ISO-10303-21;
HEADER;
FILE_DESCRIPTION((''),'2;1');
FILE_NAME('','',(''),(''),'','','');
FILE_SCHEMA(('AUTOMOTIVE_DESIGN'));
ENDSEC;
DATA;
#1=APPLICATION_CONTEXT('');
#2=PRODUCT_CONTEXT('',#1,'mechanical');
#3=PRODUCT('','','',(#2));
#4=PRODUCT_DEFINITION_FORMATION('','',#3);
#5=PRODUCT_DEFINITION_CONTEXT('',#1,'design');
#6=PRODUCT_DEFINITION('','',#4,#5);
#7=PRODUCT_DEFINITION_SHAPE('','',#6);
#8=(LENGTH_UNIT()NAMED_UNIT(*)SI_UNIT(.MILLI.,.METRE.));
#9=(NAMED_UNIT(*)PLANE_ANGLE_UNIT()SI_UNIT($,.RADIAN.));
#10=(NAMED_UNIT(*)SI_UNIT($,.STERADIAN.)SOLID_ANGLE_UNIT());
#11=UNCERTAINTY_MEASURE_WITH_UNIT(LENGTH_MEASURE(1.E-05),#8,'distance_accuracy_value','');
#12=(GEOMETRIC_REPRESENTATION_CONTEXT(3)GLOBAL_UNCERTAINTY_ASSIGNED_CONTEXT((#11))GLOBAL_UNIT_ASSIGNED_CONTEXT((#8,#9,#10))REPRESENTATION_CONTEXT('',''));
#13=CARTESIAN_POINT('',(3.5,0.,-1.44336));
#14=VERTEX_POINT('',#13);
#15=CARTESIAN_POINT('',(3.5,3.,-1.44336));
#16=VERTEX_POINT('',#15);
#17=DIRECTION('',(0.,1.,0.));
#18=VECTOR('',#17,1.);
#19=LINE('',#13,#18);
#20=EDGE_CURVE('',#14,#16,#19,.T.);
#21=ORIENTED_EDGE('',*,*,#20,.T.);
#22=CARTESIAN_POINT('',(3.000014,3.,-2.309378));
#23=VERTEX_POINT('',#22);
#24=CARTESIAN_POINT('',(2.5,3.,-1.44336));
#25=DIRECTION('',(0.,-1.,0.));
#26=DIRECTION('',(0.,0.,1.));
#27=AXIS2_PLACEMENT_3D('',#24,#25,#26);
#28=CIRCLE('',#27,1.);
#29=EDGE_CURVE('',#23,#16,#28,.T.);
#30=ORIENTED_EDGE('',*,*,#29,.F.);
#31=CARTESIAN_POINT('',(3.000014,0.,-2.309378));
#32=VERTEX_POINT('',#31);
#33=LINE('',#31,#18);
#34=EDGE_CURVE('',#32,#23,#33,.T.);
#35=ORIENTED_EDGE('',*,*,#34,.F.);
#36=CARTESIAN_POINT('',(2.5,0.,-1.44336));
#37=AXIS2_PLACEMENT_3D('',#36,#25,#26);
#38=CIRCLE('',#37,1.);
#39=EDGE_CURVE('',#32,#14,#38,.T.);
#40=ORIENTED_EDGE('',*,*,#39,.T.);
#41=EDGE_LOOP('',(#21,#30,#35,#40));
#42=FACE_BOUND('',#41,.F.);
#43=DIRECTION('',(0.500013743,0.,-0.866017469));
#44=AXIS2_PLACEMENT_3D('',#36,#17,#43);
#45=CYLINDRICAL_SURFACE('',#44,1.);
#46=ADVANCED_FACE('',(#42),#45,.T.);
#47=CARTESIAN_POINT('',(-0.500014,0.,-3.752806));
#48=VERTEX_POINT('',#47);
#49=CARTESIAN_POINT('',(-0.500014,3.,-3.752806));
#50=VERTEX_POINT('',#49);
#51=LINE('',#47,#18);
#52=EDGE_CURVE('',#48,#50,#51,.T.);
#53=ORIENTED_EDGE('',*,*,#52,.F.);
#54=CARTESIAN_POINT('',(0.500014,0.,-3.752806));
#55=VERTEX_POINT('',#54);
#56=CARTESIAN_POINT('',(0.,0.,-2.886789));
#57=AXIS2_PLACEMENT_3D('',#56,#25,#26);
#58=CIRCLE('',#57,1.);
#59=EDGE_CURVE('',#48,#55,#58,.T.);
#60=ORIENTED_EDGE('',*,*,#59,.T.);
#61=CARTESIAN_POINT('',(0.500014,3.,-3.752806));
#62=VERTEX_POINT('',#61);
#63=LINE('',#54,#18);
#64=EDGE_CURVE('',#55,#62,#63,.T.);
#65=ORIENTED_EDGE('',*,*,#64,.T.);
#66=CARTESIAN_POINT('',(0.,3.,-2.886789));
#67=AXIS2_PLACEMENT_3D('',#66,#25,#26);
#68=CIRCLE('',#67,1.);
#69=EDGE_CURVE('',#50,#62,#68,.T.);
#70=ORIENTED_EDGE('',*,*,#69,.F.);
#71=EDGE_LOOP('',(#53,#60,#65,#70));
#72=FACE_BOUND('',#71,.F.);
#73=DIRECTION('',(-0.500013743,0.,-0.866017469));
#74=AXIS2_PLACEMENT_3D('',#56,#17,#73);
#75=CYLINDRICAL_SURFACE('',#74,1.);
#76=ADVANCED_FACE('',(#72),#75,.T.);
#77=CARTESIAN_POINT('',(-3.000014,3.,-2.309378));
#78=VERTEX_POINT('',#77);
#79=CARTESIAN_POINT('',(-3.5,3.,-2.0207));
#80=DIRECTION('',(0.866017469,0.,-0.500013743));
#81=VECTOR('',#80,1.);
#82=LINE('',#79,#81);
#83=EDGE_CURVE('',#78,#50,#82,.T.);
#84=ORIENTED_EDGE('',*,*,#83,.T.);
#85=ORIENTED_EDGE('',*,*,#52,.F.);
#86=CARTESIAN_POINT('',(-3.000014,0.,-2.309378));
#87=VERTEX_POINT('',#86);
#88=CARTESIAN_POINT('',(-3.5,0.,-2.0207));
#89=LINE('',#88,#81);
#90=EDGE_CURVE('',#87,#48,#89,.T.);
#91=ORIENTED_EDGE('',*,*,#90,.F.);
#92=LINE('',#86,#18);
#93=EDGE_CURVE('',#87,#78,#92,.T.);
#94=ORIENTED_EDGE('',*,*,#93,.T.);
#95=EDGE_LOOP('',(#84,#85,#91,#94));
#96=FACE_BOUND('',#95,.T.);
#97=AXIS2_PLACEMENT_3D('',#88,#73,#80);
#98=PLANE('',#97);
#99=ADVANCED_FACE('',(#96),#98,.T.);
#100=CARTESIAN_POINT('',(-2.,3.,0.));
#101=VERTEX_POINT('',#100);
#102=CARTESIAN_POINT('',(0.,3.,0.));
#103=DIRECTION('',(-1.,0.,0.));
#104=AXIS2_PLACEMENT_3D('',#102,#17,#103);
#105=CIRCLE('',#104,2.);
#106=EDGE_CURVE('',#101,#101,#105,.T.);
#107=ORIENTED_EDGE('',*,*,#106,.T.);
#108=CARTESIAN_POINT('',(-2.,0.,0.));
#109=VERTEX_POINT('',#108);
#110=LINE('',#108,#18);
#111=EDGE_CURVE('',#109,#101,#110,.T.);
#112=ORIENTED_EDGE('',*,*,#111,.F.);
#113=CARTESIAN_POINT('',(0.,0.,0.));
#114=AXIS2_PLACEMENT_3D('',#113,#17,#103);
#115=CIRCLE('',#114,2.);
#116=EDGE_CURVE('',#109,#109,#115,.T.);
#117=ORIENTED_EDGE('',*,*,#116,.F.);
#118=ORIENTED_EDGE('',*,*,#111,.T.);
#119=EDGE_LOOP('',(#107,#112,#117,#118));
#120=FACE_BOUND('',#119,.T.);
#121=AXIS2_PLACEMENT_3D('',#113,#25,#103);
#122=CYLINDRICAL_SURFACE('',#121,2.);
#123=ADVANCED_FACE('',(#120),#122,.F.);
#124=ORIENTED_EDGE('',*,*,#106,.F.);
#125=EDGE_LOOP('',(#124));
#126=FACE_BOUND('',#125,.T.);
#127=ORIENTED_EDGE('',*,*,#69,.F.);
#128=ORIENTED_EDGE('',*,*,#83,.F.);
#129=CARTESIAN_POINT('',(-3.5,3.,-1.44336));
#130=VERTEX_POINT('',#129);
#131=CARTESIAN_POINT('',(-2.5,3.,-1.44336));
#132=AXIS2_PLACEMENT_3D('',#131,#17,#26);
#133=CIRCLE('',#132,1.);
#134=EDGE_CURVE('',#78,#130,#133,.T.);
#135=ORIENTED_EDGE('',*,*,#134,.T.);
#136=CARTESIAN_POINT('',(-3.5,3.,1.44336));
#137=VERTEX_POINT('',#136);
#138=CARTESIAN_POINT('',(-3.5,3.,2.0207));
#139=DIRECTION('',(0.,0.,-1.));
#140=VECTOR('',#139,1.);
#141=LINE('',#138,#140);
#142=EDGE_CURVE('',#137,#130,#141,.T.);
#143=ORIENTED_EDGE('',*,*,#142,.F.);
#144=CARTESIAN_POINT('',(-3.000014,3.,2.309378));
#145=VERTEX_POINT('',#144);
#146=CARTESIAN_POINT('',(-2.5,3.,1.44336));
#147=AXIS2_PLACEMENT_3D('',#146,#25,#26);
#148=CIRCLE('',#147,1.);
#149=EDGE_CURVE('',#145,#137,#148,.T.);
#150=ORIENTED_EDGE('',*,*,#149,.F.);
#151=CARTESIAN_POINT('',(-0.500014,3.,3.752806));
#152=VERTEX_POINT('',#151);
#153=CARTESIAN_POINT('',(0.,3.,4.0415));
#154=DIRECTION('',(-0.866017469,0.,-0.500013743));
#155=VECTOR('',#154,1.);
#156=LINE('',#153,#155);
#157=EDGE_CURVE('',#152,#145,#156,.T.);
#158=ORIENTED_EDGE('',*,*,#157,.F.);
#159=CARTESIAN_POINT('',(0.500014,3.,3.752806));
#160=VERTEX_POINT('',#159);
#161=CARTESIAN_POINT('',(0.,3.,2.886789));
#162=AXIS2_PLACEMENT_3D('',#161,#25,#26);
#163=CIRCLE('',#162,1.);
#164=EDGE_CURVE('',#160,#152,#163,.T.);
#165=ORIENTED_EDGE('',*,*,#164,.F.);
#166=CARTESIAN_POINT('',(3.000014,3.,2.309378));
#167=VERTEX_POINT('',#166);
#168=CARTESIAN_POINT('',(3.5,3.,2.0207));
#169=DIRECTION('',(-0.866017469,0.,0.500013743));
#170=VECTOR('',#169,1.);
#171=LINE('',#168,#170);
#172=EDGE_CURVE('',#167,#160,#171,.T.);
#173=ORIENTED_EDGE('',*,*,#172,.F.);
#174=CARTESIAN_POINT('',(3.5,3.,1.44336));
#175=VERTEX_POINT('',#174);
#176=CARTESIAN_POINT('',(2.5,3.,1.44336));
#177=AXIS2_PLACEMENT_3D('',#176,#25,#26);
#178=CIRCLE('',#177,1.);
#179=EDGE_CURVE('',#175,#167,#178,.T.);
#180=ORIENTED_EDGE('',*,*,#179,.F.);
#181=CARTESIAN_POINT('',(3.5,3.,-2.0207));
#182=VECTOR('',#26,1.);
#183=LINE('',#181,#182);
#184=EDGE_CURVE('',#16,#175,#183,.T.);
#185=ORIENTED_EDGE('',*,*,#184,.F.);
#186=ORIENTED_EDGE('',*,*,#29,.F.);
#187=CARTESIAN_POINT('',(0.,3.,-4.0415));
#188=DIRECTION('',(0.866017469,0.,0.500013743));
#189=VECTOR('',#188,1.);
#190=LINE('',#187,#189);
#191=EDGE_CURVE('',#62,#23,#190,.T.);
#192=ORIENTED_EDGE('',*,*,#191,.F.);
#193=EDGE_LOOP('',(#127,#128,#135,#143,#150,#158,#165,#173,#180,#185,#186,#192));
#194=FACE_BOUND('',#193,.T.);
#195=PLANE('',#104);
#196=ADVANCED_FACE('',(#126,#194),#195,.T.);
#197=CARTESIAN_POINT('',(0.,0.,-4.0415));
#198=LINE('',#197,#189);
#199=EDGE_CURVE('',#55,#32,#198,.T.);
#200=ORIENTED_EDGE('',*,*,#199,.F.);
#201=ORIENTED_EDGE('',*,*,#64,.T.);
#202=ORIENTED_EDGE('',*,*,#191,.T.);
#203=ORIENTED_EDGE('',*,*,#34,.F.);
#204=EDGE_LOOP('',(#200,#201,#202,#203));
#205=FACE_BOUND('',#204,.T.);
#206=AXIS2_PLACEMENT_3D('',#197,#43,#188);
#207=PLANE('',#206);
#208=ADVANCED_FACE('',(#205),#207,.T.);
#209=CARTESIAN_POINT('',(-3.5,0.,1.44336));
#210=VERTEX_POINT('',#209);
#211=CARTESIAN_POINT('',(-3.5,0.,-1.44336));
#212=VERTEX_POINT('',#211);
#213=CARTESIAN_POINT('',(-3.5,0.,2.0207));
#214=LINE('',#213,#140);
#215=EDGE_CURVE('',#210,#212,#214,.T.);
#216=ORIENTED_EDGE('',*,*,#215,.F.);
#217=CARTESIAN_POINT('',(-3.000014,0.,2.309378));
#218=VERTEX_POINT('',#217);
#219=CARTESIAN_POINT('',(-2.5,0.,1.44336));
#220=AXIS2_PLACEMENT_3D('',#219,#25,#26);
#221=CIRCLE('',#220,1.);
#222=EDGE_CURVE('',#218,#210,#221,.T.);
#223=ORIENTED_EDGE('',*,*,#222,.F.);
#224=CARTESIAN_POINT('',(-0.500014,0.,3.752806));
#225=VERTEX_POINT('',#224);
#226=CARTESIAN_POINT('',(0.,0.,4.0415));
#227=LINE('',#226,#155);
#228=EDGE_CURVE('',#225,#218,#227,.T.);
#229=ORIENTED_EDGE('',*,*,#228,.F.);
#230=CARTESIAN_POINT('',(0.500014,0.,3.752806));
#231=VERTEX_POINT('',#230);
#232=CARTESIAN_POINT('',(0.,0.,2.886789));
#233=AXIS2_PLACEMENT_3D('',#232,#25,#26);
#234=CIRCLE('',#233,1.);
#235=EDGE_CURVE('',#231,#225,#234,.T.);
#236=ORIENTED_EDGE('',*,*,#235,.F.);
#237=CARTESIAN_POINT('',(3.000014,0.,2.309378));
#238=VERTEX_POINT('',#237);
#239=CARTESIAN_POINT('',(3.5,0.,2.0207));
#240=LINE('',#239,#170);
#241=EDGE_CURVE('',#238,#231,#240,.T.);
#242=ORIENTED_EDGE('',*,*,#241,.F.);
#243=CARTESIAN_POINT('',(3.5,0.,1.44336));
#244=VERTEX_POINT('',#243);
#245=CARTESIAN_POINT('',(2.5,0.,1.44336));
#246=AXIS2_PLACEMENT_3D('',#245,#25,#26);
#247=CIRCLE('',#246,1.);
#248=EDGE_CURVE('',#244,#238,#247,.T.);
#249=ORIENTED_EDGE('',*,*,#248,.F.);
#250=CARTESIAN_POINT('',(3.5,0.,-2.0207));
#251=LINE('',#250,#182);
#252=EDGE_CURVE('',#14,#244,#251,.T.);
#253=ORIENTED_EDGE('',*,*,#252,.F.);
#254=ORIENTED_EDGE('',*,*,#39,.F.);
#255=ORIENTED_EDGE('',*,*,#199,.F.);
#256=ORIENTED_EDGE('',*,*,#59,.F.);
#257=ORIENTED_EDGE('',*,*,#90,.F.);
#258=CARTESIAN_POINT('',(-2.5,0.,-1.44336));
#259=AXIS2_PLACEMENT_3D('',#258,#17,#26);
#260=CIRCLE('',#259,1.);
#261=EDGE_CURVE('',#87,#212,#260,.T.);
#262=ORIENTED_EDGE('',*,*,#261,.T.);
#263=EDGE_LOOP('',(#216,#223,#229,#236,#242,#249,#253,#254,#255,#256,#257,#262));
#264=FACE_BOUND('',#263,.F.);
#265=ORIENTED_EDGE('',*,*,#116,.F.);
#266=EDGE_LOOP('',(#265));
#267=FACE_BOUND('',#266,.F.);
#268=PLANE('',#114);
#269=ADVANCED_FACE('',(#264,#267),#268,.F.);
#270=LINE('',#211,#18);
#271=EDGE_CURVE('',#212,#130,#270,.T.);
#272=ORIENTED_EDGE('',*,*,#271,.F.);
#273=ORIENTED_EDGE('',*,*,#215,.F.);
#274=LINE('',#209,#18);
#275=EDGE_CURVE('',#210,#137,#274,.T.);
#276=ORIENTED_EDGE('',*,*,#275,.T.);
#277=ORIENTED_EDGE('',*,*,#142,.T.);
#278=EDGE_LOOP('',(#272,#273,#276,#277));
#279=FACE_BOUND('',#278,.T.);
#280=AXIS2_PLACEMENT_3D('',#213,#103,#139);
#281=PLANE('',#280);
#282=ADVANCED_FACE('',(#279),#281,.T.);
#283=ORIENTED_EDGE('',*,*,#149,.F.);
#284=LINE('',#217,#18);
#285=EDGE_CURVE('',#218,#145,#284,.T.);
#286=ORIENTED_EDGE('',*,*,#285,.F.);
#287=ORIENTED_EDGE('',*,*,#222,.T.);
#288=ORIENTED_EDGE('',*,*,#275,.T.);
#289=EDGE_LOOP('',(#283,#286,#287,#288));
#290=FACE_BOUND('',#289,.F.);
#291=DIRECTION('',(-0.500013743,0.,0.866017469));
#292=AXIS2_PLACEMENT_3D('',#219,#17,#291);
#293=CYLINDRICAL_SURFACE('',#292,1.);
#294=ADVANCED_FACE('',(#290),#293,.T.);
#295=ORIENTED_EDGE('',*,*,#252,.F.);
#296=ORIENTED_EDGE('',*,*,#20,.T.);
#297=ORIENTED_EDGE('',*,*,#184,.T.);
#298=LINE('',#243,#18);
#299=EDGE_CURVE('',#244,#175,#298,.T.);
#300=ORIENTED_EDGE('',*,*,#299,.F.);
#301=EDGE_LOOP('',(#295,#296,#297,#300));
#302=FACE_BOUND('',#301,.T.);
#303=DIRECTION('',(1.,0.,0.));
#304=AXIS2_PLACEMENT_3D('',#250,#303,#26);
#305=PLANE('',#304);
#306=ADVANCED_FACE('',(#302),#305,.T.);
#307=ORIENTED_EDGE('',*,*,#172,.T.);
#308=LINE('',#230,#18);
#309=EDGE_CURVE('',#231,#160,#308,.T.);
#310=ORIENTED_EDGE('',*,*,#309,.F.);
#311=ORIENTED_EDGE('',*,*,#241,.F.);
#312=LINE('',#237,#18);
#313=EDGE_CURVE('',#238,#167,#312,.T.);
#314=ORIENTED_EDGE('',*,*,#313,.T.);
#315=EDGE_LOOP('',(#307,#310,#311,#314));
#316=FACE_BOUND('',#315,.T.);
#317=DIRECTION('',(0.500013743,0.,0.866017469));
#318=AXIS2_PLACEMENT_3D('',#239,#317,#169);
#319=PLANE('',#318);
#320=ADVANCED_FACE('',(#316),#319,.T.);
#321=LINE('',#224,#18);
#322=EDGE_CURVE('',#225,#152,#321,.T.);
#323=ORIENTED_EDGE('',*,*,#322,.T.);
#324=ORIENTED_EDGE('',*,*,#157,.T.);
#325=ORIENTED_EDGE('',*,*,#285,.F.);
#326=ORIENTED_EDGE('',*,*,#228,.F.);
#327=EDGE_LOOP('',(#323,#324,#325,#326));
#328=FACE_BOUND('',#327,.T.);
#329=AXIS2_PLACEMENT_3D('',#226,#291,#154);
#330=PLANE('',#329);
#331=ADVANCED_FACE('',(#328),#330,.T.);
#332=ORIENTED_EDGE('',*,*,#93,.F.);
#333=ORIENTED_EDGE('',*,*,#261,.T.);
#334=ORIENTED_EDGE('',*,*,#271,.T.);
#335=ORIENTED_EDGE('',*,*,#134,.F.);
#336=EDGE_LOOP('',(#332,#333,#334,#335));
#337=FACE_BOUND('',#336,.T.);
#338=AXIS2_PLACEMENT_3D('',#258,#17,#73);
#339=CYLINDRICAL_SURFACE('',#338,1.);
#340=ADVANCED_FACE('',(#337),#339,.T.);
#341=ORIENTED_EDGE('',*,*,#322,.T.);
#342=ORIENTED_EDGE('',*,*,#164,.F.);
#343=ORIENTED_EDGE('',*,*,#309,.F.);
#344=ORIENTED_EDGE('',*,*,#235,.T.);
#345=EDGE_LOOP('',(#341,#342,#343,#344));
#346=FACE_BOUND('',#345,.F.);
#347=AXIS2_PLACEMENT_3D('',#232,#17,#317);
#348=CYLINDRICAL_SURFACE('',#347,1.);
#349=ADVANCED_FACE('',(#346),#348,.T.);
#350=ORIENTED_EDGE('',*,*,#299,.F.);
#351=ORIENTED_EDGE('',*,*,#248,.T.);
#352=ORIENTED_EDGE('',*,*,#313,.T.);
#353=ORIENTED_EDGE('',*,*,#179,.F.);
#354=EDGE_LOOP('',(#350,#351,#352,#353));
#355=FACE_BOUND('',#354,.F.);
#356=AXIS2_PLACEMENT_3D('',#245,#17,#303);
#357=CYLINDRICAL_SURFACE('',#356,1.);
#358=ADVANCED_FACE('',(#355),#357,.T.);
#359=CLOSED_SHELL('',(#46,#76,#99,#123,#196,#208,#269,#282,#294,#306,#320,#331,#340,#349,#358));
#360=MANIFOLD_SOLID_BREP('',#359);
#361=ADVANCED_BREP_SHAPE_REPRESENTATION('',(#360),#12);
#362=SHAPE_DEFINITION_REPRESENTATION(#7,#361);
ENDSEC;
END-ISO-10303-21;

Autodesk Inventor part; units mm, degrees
ref_plane "YZ Plane" through (0, 0, 0) normal (1, 0, 0) x (0, 1, 0)
ref_plane "XZ Plane" through (0, 0, 0) normal (0, 1, 0) x (-1, 0, 0)
ref_plane "XY Plane" through (0, 0, 0) normal (0, 0, 1) x (1, 0, 0)
sketch "Sketch1" plane through (0, 0, 0) normal (0, 1, 0) x (-1, 0, 0)
  circle A0 centre (0, 0) radius 2
  line L0 (3.5, -2.0207) -> (0, -4.0415)
  line L1 (0, -4.0415) -> (-3.5, -2.0207)
  line L2 (-3.5, -2.0207) -> (-3.5, 2.0207)
  line L3 (-3.5, 2.0207) -> (0, 4.0415)
  line L4 (0, 4.0415) -> (3.5, 2.0207)
  line L5 (3.5, 2.0207) -> (3.5, -2.0207)
  dimension "d0" = 4
  dimension "d1" = 3.5
extrude "Extrusion1" add sketch "Sketch1" along normal blind 3
thread "Thread1" size "M4x0.7" class "6H" standard "ANSI Metric M Profile" full length
fillet "Fillet1" radius 1 6 edges at (-3.5, 1.5, 2.0207) (0, 1.5, 4.0415) (3.5, 1.5, 2.0207) (3.5, 1.5, -2.0207) (0, 1.5, -4.0415) (-3.5, 1.5, -2.0207)
properties part number "Moer"
